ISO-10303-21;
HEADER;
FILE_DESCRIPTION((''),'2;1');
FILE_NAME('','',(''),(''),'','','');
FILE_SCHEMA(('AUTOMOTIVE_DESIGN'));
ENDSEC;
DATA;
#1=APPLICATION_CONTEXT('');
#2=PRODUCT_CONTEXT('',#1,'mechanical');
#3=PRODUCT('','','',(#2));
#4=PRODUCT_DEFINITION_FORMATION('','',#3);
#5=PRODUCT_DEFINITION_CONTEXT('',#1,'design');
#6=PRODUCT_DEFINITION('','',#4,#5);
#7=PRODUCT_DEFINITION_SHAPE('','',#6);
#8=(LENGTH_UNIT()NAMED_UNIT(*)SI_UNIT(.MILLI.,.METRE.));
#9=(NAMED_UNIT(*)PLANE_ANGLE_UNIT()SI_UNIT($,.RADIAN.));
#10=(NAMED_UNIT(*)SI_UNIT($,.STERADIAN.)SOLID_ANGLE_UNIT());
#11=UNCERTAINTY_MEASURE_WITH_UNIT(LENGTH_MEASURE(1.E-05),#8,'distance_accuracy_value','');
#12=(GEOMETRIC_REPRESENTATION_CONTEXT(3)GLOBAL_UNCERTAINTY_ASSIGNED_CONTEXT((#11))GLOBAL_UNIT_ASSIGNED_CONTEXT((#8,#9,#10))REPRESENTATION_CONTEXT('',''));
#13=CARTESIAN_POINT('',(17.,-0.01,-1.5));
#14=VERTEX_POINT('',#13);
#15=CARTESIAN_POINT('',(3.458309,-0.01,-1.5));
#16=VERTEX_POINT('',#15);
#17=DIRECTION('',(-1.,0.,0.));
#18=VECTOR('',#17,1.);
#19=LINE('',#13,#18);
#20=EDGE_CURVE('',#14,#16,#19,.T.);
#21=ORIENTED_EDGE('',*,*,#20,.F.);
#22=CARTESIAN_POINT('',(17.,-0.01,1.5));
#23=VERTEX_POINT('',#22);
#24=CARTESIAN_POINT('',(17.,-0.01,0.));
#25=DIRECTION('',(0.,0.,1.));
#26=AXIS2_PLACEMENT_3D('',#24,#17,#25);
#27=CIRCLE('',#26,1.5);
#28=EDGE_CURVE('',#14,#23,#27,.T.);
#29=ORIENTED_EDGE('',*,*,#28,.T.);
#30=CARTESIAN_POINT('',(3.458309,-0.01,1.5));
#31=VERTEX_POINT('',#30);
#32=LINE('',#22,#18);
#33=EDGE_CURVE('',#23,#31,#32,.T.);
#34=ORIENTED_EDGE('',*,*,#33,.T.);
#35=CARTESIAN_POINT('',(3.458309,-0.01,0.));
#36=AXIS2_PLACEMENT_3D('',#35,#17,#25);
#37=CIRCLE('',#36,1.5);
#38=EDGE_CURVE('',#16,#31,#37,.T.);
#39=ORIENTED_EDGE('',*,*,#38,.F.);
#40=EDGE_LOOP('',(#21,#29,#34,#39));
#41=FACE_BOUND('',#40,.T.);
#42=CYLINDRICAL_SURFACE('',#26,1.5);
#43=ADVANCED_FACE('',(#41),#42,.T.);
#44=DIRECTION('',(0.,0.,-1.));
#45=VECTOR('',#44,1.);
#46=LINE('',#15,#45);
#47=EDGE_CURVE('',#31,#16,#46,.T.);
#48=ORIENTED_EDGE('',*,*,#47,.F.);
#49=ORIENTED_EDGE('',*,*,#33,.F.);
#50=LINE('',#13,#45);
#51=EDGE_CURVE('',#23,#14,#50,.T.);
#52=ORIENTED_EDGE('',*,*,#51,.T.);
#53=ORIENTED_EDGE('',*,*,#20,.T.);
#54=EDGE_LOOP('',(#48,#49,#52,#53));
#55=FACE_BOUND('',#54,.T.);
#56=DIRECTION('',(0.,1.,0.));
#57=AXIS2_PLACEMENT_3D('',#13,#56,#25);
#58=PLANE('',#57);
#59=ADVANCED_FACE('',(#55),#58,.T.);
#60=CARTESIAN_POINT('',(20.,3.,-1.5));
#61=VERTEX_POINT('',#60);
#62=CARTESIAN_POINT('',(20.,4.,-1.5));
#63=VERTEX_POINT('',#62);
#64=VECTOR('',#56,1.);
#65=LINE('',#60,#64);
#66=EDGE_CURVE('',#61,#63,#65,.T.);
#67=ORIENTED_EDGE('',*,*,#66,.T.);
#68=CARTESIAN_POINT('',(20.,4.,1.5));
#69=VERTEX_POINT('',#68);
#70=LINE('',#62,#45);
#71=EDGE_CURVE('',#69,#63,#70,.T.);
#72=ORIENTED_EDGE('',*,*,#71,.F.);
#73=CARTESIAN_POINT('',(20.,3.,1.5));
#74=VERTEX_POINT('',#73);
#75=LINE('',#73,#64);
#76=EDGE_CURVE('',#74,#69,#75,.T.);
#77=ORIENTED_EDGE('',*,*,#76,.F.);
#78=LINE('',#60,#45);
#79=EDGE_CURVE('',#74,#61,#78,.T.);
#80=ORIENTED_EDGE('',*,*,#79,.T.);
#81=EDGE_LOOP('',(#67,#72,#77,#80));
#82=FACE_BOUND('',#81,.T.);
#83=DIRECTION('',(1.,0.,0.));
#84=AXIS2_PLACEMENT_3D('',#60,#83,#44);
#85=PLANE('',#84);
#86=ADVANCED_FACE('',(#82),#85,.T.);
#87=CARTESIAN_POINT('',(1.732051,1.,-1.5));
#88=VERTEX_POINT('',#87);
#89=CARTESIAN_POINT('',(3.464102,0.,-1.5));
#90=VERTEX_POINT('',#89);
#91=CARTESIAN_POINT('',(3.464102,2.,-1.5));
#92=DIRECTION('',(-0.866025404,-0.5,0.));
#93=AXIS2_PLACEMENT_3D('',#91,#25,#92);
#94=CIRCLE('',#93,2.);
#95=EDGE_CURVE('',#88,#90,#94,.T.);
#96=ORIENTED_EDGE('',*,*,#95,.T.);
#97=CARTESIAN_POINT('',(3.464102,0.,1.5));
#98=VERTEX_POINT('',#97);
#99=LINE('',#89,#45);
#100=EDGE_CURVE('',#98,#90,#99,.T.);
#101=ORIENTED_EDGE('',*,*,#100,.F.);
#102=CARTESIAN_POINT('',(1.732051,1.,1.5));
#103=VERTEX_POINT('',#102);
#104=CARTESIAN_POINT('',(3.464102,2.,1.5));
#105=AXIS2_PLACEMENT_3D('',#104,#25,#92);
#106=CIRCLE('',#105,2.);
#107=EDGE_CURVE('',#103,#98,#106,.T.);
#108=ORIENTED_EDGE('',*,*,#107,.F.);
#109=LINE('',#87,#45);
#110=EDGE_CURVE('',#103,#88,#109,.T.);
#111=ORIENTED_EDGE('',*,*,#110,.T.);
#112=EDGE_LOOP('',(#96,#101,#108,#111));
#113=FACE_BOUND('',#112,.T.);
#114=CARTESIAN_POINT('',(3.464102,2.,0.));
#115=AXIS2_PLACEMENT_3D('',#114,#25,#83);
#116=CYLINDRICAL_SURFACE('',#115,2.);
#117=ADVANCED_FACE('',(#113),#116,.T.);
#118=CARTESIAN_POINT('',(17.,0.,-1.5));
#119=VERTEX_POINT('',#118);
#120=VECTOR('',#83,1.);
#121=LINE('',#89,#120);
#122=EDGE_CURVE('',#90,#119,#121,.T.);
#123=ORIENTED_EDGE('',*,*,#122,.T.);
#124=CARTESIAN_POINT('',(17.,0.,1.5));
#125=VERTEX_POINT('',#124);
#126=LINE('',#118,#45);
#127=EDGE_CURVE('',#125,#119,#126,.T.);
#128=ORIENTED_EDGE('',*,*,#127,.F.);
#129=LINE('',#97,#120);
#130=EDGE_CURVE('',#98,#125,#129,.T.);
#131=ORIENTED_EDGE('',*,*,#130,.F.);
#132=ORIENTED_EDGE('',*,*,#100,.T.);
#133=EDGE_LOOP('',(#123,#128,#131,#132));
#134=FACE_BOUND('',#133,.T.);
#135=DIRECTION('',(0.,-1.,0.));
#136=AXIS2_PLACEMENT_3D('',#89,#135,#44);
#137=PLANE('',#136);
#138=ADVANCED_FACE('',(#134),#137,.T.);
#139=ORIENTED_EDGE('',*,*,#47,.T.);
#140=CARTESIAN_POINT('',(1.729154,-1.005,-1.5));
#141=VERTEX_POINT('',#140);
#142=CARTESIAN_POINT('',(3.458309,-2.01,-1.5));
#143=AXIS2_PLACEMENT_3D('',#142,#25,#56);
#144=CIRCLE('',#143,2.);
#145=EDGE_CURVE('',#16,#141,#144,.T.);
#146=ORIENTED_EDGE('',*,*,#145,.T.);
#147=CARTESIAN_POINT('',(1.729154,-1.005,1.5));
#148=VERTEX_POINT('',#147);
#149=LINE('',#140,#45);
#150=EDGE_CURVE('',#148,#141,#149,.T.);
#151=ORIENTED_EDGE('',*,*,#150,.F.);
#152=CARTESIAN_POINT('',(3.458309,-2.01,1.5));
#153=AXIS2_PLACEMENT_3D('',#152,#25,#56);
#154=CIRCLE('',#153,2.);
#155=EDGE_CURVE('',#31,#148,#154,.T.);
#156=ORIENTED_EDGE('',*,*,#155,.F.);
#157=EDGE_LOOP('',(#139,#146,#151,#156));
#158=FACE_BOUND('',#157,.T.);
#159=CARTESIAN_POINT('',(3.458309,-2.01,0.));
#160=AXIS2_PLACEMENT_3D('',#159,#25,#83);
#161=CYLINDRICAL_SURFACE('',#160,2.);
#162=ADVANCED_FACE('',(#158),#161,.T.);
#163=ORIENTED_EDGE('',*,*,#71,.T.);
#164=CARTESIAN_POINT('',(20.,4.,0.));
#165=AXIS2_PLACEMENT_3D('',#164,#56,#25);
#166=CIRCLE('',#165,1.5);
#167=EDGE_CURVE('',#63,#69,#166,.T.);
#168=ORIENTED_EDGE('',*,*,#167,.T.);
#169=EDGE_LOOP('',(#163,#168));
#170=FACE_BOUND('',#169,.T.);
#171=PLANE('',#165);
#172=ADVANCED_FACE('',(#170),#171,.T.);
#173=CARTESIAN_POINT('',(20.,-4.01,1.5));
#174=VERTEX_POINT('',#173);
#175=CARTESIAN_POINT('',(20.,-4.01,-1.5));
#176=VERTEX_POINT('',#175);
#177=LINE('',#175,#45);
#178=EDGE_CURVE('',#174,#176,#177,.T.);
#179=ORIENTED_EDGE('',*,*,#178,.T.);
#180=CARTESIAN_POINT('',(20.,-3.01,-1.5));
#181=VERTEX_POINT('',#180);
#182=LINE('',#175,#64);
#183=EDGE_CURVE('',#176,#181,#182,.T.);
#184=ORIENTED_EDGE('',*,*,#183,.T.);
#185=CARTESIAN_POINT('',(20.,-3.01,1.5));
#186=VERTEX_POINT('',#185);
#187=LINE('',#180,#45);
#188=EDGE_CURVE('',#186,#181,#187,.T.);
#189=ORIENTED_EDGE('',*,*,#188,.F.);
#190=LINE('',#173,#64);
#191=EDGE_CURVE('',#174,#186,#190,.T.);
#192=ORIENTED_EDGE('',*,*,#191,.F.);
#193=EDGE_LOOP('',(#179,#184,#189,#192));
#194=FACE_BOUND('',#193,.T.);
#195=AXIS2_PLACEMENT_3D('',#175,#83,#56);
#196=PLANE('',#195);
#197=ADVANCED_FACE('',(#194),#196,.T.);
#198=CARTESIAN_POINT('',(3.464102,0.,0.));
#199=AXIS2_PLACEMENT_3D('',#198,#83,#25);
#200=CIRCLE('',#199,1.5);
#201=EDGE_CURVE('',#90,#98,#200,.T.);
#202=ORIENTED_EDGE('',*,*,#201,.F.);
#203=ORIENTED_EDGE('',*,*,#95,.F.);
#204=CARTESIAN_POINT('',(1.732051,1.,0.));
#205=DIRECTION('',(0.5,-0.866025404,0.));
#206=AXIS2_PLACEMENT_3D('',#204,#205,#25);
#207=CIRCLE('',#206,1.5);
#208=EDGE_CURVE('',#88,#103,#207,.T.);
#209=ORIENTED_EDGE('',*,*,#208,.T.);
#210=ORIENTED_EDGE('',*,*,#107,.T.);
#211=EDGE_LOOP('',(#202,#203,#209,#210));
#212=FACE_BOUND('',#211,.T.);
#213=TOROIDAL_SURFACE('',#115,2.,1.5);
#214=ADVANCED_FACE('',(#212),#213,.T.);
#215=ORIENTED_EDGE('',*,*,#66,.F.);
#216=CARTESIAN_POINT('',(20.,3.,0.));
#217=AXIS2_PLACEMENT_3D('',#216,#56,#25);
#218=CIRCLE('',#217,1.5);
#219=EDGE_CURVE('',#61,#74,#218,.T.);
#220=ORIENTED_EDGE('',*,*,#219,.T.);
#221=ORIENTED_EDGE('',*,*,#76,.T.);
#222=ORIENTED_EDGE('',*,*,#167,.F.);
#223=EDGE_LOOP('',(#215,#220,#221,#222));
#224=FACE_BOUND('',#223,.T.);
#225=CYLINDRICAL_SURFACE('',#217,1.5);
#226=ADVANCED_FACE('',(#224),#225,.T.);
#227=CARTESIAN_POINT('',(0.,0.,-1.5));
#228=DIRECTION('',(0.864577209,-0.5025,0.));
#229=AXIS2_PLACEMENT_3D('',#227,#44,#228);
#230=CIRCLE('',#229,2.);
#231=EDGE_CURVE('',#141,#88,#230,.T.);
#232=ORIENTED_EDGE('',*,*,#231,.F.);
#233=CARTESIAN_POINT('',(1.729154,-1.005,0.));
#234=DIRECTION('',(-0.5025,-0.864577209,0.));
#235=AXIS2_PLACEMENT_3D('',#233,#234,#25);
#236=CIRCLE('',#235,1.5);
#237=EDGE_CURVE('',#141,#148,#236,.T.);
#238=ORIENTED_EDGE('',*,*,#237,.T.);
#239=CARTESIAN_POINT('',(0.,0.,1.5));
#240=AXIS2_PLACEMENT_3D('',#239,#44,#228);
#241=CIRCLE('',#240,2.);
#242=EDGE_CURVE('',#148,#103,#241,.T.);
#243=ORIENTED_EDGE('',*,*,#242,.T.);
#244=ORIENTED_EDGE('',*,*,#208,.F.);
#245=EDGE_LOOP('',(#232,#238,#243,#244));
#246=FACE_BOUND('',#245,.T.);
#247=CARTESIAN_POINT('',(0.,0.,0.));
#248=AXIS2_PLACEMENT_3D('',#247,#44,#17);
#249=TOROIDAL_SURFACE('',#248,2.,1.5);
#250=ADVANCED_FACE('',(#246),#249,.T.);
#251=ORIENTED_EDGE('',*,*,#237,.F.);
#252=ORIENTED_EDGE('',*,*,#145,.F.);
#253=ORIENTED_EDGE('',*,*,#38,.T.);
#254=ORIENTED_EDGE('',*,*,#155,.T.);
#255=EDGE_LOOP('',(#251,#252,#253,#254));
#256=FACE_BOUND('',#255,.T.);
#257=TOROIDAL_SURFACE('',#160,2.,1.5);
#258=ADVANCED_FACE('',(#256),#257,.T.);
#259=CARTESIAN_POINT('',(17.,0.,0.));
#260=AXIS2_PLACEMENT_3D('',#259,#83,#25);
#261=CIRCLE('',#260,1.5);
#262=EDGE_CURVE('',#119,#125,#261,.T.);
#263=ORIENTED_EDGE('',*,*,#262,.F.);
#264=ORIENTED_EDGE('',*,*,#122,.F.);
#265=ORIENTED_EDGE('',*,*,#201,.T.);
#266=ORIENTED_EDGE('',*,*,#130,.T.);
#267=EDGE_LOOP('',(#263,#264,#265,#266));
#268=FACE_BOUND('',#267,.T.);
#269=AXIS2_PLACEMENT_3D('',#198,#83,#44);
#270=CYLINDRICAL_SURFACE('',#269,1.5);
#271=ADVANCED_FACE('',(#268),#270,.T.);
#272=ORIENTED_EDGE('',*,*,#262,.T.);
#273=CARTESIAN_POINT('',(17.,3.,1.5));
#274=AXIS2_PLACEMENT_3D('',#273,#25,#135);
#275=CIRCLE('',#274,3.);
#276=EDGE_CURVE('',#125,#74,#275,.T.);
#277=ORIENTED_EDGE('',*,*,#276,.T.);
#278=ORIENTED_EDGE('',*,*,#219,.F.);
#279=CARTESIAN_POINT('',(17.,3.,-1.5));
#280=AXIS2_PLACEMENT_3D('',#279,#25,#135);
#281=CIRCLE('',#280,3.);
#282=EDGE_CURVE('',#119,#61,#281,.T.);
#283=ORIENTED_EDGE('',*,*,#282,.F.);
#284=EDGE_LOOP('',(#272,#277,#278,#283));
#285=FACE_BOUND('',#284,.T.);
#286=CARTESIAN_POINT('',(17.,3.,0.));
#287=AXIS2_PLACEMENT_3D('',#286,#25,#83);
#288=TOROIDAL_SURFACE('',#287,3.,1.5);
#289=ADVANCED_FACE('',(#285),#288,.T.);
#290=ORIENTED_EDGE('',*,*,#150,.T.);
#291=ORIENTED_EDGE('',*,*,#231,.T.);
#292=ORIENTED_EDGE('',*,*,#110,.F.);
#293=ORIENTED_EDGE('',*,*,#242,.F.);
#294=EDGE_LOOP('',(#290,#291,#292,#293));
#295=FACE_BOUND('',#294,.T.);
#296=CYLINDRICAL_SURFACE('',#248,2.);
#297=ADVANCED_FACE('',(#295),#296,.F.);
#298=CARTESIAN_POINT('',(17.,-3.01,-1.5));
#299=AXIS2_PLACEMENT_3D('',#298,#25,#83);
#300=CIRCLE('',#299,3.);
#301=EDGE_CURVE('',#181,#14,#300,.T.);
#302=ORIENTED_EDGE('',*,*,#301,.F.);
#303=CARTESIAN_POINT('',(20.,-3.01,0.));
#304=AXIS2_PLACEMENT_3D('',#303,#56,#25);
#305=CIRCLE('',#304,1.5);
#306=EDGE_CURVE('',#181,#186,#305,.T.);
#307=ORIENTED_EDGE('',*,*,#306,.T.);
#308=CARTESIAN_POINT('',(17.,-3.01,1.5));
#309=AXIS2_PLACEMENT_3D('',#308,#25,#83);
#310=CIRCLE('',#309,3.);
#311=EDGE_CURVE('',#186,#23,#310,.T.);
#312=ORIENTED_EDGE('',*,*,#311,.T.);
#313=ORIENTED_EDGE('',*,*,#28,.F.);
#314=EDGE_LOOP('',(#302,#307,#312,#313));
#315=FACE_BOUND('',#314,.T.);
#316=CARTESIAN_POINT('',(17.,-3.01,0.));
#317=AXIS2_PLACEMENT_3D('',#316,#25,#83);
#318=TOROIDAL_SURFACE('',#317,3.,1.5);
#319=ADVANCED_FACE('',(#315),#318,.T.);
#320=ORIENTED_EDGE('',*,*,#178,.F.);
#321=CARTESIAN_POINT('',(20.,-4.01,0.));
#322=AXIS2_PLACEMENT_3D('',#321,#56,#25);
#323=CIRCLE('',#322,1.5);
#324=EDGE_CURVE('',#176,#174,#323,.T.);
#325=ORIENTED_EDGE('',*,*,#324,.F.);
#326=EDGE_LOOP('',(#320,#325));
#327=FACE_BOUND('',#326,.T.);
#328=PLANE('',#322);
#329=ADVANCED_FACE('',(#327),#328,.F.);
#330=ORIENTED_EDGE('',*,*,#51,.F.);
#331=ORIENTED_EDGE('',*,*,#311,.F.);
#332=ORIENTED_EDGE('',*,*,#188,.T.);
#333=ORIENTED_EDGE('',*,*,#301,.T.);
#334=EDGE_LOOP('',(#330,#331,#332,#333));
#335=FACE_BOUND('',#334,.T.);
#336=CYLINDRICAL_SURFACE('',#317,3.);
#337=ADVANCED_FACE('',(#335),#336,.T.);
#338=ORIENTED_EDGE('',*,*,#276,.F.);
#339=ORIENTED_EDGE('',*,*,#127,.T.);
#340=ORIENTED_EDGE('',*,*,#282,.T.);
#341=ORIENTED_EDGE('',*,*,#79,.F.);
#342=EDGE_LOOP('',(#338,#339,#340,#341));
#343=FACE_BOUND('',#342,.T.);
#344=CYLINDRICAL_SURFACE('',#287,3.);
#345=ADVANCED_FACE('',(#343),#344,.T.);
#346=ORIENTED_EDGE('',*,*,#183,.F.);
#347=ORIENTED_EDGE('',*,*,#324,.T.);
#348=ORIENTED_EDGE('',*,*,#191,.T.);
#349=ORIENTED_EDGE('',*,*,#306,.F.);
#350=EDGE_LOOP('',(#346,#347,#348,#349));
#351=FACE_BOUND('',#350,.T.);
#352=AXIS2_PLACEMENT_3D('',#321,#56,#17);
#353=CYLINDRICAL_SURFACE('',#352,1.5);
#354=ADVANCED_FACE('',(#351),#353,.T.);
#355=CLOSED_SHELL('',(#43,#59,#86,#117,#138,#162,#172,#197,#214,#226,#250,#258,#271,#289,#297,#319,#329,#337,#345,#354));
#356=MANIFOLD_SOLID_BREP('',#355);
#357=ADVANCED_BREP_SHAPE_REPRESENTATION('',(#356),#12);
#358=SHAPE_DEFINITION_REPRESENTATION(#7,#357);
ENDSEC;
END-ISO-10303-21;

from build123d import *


with BuildPart() as part:
    # Sweep1: sweep along a path in Sketch1
    with BuildLine(Plane.XY) as sweep1_path:
        Line((20, 4), (20, 3))
        ThreePointArc((20, 3), (19.121320344, 0.878679656), (17, 0))
        Line((17, 0), (3.464101615, 0))
        ThreePointArc((3.464101615, 0), (2.464101615, 0.267949192), (1.732050808, 1))
        ThreePointArc((1.732050808, 1), (-1.999997913, 0.002889164), (1.729154418, -1.005))
        ThreePointArc((1.729154418, -1.005), (2.460811968, -0.276506418), (3.458308835, -0.01))
        Line((3.458308835, -0.01), (17, -0.01))
        ThreePointArc((17, -0.01), (19.121320344, -0.888679656), (20, -3.01))
        Line((20, -3.01), (20, -4.01))
    # Sketch3 → Sweep1 (sweep)
    with BuildSketch(Plane(origin=(20, 4, 0), x_dir=(1, 0, 0), z_dir=(0, 1, 0))):
        with BuildLine():
            Line((0, 1.5), (0, -1.5))
            ThreePointArc((0, -1.5), (-1.5, 0), (0, 1.5))
        make_face()
    sweep(path=sweep1_path.line)


solid = part.part
